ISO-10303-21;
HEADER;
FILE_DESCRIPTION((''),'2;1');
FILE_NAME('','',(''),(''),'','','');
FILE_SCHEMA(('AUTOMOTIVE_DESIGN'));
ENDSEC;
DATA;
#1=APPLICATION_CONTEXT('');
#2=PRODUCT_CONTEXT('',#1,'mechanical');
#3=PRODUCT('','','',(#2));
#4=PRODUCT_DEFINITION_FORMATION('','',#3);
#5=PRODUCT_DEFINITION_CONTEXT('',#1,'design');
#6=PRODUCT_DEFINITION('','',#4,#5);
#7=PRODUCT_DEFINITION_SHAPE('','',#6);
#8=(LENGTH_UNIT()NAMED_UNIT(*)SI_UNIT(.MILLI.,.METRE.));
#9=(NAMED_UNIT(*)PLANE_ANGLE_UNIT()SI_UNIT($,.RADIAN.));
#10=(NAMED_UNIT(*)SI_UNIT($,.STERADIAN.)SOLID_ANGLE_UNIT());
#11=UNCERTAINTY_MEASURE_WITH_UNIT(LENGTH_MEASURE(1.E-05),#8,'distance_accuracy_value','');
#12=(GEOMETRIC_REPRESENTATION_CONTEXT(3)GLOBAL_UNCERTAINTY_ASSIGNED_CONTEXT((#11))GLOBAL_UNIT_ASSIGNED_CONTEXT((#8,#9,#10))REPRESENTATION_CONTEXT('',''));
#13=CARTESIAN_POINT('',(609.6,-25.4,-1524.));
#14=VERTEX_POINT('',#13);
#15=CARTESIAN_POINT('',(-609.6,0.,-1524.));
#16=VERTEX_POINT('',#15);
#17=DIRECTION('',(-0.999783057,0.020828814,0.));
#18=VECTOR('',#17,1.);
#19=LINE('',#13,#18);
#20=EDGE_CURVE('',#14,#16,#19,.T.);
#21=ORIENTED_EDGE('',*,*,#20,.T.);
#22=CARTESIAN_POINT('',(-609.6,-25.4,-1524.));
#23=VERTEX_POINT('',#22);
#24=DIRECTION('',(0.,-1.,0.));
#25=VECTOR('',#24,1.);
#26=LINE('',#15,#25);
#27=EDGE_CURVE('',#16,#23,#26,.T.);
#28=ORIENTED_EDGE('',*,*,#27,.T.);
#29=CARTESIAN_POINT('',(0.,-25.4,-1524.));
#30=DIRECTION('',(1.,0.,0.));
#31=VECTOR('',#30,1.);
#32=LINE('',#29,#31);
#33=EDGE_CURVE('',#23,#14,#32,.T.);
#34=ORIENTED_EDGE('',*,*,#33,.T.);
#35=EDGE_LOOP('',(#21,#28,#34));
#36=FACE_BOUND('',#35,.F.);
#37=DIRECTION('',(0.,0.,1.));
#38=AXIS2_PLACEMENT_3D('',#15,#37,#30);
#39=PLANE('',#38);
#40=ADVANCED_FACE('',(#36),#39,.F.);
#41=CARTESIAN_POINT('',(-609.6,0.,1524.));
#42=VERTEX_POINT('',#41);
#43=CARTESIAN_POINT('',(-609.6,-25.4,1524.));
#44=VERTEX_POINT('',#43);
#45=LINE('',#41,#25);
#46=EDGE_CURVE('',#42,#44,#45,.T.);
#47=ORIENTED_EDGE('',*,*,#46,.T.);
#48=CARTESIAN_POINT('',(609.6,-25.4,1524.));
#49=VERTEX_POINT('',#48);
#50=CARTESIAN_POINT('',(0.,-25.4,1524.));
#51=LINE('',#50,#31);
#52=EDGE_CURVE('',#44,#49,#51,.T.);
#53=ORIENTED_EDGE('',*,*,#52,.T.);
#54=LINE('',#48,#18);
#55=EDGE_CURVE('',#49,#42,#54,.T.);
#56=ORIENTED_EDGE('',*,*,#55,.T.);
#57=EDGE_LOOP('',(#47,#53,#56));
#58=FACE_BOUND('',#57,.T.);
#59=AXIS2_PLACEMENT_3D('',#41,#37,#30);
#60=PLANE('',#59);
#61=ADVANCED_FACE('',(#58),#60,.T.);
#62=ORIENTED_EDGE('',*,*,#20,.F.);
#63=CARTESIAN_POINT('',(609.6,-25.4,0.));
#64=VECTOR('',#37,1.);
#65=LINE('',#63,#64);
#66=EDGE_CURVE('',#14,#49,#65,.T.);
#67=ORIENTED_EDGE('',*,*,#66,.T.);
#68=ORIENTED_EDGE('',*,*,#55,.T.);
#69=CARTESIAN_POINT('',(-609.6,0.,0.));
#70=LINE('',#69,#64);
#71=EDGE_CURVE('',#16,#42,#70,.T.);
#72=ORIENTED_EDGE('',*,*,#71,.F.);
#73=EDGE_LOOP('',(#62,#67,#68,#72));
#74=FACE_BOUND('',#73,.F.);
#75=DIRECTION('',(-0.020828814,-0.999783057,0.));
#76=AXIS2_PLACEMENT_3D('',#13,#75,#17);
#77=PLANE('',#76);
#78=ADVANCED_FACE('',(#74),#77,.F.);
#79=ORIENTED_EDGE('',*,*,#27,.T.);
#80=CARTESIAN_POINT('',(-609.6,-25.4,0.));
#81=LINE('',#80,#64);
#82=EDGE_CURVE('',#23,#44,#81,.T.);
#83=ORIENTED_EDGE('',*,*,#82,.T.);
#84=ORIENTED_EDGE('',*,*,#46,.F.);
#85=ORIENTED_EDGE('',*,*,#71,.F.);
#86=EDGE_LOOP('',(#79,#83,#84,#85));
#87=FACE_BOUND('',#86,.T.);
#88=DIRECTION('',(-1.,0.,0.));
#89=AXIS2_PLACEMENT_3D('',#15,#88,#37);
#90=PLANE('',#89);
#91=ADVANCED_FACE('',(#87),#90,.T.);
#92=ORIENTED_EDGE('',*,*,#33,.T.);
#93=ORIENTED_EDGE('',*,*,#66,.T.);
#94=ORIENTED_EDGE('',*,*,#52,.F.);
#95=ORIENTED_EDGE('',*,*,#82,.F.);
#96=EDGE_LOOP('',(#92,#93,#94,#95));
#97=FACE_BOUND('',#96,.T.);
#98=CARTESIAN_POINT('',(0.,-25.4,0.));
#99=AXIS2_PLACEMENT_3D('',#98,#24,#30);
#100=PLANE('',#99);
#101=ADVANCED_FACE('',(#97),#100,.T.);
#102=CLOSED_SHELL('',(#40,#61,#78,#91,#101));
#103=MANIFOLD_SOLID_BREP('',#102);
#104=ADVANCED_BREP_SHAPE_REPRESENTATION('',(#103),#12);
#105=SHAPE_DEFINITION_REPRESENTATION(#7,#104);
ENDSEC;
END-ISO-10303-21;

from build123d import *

# Parameters (mm, degrees)
F2_W     = 1219.2
F2_H     = 3048
F0_DEPTH = 25.4
F3_DEPTH = 3048


with BuildPart() as f0:
    # F2 (on Front) → F0 (new body)
    with BuildSketch(Plane.XZ):
        Rectangle(F2_W, F2_H)
    extrude(amount=F0_DEPTH)

    # F1 (on face) → F3 (cut)
    with BuildSketch(Plane(origin=(0, 0, -1524), x_dir=(1, 0, 0), z_dir=(0, 0, -1))):
        Polygon((609.6, 0), (609.6, 25.4), (-609.6, 0), align=None)
    extrude(amount=-F3_DEPTH, mode=Mode.SUBTRACT)


solid = f0.part
